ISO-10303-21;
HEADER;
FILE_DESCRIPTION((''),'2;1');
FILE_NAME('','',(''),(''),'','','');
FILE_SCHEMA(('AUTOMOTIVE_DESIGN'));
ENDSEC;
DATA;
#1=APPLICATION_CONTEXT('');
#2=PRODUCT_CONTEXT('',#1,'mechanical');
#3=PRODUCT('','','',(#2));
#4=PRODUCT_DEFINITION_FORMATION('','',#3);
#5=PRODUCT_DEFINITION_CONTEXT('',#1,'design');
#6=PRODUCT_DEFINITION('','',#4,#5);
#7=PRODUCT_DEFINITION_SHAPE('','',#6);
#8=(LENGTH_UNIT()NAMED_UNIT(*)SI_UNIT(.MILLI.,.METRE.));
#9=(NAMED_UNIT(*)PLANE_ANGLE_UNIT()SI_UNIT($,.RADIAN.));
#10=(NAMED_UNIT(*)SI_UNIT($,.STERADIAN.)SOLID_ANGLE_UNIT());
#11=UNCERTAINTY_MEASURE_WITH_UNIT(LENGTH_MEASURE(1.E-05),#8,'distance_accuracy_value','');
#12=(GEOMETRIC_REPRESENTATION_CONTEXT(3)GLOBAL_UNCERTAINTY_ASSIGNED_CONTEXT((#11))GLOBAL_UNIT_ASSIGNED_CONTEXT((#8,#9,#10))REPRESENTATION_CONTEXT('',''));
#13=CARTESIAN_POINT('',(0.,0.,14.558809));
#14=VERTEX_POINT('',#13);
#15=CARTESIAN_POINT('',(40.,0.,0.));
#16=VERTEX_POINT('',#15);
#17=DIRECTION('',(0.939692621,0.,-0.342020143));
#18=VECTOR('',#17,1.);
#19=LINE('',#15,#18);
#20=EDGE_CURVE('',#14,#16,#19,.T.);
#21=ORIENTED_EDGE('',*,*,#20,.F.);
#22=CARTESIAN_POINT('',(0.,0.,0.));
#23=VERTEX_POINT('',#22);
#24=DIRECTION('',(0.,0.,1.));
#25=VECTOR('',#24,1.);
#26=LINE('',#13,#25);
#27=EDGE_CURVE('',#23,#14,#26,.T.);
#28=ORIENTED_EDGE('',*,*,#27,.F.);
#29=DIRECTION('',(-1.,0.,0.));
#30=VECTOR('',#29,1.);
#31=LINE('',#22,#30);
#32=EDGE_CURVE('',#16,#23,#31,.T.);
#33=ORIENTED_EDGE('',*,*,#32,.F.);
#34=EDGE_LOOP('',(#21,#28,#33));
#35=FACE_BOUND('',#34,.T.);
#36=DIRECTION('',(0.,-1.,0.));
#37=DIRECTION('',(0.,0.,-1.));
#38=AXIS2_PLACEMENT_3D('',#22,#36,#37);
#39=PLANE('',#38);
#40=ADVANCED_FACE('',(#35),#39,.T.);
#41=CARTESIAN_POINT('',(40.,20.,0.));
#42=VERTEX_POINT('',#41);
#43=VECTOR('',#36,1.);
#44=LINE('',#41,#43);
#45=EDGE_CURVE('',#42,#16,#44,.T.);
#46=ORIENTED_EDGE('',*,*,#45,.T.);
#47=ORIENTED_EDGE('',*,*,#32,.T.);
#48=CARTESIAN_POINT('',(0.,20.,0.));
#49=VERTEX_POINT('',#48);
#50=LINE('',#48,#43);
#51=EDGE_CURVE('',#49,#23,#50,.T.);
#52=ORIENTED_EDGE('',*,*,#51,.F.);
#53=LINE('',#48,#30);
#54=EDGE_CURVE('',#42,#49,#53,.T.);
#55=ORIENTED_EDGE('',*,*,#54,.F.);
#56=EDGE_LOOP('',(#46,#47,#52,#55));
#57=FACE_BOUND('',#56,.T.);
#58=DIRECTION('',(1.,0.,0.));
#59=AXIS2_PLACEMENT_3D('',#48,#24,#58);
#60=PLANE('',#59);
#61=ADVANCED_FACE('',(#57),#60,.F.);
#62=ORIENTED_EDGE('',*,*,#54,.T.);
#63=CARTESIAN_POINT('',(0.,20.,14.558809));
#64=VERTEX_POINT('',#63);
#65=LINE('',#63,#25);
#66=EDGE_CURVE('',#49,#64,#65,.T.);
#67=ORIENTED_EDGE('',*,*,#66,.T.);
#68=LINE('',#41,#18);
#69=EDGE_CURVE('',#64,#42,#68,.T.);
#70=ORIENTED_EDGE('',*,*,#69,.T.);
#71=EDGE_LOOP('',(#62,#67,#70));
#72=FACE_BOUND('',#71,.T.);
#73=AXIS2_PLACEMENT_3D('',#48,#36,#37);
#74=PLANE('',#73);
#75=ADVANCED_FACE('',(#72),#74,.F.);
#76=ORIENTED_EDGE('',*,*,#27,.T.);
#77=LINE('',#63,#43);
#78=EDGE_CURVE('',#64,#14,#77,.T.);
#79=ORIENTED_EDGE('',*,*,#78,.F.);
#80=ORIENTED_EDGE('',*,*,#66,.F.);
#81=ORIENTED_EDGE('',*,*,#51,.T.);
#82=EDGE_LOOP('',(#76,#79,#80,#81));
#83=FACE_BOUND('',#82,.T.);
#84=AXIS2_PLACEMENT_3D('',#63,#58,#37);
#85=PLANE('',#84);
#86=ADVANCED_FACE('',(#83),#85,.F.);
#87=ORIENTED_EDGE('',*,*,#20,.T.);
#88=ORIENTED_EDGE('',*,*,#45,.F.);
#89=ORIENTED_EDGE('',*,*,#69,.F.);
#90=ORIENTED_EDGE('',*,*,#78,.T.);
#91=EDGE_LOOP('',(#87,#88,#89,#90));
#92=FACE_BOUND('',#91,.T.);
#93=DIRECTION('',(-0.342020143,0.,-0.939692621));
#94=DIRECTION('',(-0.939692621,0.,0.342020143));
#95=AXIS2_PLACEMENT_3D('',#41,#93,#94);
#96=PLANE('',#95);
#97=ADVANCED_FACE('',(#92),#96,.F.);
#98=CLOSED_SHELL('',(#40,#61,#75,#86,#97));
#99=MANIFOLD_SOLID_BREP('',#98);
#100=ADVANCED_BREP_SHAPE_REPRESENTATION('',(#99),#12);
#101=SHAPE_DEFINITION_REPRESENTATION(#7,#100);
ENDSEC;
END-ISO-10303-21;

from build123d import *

# Parameters (mm, degrees)
BOSS_EXTRUDE1_DEPTH = 20


with BuildPart() as part:
    # Sketch1 → Boss-Extrude1 (new body)
    with BuildSketch(Plane(origin=(0, 0, 0), x_dir=(1, 0, 0), z_dir=(0, 1, 0))):
        Polygon((0, 0), (40, 0), (0, -14.558809371), align=None)
    extrude(amount=BOSS_EXTRUDE1_DEPTH)


solid = part.part
